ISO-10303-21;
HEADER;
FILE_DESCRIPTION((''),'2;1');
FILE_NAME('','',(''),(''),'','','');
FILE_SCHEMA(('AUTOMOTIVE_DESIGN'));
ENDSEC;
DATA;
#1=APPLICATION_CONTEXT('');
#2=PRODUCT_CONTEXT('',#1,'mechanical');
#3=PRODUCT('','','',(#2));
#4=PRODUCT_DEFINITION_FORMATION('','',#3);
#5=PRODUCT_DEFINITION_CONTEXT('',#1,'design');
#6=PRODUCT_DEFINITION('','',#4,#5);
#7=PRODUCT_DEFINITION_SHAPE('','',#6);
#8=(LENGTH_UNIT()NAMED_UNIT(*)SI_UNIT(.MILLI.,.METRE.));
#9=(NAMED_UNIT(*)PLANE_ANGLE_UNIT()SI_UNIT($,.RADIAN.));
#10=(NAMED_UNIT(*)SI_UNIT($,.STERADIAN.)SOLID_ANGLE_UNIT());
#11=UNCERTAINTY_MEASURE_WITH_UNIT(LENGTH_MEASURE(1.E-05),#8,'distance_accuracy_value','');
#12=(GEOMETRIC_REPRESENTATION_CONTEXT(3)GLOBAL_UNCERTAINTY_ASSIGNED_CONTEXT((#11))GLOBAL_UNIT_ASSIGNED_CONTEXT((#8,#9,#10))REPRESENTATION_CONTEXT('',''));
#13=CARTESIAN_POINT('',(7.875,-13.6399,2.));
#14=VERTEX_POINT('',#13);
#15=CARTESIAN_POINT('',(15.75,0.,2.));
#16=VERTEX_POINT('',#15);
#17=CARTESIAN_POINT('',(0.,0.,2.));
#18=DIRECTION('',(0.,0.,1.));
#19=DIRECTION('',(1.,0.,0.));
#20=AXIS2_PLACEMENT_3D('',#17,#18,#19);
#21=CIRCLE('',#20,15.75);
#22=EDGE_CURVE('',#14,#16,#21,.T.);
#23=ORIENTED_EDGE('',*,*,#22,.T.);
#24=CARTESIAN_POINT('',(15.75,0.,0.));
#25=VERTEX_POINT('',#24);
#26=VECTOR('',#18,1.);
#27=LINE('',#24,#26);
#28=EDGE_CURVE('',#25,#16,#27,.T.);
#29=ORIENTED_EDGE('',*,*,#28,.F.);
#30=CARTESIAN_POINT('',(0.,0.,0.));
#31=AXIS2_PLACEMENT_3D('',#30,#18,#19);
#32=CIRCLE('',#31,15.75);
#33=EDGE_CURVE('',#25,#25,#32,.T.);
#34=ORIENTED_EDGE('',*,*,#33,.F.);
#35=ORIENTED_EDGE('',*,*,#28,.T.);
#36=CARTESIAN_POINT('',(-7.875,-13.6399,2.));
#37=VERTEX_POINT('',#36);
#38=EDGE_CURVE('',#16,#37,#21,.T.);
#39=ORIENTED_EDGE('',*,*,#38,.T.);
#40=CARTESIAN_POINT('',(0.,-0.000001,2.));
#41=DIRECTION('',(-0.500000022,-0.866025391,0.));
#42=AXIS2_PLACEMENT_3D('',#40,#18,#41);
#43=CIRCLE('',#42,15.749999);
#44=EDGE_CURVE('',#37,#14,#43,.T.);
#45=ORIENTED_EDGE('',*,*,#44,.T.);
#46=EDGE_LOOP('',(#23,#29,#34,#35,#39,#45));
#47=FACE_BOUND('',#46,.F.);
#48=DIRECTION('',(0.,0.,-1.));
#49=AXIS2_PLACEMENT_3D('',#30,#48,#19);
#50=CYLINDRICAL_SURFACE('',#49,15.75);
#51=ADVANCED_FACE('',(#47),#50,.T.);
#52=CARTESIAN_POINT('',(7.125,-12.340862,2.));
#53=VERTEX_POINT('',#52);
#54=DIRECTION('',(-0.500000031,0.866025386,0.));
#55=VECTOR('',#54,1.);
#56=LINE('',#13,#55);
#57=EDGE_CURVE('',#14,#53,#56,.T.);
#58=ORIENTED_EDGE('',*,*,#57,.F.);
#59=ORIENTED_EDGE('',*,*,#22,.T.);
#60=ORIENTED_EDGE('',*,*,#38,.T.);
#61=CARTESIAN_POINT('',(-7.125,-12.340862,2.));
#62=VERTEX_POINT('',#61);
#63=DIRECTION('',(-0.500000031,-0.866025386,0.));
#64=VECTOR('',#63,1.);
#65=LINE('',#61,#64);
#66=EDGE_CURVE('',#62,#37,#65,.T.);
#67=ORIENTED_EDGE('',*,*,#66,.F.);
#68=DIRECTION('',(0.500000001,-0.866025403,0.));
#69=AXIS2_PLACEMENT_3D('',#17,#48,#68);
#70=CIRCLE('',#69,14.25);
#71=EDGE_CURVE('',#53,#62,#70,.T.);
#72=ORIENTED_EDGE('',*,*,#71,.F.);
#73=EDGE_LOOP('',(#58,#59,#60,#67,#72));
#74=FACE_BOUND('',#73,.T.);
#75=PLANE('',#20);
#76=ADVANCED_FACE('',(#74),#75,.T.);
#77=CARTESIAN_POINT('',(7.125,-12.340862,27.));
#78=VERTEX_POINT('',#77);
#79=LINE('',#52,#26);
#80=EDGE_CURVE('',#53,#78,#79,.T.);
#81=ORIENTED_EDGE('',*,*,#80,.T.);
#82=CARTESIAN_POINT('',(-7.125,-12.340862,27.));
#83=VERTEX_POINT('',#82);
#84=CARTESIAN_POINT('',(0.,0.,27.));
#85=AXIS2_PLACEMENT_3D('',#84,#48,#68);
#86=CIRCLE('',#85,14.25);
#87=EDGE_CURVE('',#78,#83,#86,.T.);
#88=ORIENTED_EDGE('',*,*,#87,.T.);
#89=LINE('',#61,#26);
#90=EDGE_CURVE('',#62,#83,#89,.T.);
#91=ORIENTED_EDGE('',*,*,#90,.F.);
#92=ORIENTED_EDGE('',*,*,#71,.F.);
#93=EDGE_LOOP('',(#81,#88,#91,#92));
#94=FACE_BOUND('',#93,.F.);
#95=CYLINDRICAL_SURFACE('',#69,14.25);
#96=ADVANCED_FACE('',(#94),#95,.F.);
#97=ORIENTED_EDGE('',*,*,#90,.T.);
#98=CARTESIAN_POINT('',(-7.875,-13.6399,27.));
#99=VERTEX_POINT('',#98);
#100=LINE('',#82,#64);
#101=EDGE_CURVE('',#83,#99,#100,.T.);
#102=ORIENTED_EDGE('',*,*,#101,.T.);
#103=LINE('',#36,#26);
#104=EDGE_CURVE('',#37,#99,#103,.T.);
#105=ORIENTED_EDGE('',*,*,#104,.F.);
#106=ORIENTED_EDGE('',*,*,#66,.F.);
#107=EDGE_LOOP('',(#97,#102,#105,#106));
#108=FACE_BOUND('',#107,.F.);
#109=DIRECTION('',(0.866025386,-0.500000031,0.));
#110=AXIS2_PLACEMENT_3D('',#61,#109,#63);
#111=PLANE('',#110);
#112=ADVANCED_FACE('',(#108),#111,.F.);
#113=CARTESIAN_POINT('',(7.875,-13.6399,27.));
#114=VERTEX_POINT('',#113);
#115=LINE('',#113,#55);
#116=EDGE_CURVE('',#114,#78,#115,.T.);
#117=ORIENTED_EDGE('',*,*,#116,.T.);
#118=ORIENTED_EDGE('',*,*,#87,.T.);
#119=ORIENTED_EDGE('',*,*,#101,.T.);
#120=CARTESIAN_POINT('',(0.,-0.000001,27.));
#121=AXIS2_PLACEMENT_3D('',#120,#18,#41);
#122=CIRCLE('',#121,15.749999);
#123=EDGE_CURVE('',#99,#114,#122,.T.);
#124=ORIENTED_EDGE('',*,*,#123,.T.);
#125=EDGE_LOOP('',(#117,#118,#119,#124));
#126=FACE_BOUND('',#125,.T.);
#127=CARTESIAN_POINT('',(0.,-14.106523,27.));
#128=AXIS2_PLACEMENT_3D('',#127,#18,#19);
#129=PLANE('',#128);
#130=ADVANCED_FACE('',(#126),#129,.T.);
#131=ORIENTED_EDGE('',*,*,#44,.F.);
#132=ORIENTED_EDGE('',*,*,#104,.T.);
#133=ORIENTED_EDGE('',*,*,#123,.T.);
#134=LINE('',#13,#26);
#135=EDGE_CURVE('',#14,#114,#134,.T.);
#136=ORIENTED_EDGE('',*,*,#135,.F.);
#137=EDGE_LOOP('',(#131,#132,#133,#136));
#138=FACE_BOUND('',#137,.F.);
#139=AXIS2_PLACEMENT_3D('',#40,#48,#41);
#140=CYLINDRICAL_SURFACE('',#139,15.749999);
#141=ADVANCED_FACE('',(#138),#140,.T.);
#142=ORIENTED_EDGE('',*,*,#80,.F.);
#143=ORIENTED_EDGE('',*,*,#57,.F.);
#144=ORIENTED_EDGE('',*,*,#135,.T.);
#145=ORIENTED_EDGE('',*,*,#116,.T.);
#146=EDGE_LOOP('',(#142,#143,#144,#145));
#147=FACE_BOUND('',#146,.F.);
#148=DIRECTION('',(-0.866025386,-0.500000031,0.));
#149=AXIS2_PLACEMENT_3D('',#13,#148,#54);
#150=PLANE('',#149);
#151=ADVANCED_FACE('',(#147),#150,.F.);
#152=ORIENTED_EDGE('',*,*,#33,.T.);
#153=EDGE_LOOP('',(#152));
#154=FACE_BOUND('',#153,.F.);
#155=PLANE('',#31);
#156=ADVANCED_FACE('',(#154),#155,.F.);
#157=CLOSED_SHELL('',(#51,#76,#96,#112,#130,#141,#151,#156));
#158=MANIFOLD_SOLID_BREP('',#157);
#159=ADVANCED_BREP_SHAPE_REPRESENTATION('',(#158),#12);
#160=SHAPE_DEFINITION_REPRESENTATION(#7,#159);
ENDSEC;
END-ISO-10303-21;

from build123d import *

# Parameters (mm, degrees)
F0_R     = 15.75
F1_DEPTH = 2
F3_DEPTH = 25


with BuildPart() as f1:
    # F0 (on Top) → F1 (new body)
    with BuildSketch(Plane.XY):
        Circle(F0_R)
    extrude(amount=F1_DEPTH)

    # F2 (on face) → F3 (join)
    with BuildSketch(Plane.XY.offset(2)):
        with BuildLine():
            Line((-7.125, -12.340862), (-7.875, -13.6399))
            ThreePointArc((-7.875, -13.6399), (0, -15.75), (7.875, -13.6399))
            Line((7.875, -13.6399), (7.125, -12.340862))
            ThreePointArc((7.125, -12.340862), (0, -14.25), (-7.125, -12.340862))
        make_face()
    extrude(amount=F3_DEPTH)


solid = f1.part
